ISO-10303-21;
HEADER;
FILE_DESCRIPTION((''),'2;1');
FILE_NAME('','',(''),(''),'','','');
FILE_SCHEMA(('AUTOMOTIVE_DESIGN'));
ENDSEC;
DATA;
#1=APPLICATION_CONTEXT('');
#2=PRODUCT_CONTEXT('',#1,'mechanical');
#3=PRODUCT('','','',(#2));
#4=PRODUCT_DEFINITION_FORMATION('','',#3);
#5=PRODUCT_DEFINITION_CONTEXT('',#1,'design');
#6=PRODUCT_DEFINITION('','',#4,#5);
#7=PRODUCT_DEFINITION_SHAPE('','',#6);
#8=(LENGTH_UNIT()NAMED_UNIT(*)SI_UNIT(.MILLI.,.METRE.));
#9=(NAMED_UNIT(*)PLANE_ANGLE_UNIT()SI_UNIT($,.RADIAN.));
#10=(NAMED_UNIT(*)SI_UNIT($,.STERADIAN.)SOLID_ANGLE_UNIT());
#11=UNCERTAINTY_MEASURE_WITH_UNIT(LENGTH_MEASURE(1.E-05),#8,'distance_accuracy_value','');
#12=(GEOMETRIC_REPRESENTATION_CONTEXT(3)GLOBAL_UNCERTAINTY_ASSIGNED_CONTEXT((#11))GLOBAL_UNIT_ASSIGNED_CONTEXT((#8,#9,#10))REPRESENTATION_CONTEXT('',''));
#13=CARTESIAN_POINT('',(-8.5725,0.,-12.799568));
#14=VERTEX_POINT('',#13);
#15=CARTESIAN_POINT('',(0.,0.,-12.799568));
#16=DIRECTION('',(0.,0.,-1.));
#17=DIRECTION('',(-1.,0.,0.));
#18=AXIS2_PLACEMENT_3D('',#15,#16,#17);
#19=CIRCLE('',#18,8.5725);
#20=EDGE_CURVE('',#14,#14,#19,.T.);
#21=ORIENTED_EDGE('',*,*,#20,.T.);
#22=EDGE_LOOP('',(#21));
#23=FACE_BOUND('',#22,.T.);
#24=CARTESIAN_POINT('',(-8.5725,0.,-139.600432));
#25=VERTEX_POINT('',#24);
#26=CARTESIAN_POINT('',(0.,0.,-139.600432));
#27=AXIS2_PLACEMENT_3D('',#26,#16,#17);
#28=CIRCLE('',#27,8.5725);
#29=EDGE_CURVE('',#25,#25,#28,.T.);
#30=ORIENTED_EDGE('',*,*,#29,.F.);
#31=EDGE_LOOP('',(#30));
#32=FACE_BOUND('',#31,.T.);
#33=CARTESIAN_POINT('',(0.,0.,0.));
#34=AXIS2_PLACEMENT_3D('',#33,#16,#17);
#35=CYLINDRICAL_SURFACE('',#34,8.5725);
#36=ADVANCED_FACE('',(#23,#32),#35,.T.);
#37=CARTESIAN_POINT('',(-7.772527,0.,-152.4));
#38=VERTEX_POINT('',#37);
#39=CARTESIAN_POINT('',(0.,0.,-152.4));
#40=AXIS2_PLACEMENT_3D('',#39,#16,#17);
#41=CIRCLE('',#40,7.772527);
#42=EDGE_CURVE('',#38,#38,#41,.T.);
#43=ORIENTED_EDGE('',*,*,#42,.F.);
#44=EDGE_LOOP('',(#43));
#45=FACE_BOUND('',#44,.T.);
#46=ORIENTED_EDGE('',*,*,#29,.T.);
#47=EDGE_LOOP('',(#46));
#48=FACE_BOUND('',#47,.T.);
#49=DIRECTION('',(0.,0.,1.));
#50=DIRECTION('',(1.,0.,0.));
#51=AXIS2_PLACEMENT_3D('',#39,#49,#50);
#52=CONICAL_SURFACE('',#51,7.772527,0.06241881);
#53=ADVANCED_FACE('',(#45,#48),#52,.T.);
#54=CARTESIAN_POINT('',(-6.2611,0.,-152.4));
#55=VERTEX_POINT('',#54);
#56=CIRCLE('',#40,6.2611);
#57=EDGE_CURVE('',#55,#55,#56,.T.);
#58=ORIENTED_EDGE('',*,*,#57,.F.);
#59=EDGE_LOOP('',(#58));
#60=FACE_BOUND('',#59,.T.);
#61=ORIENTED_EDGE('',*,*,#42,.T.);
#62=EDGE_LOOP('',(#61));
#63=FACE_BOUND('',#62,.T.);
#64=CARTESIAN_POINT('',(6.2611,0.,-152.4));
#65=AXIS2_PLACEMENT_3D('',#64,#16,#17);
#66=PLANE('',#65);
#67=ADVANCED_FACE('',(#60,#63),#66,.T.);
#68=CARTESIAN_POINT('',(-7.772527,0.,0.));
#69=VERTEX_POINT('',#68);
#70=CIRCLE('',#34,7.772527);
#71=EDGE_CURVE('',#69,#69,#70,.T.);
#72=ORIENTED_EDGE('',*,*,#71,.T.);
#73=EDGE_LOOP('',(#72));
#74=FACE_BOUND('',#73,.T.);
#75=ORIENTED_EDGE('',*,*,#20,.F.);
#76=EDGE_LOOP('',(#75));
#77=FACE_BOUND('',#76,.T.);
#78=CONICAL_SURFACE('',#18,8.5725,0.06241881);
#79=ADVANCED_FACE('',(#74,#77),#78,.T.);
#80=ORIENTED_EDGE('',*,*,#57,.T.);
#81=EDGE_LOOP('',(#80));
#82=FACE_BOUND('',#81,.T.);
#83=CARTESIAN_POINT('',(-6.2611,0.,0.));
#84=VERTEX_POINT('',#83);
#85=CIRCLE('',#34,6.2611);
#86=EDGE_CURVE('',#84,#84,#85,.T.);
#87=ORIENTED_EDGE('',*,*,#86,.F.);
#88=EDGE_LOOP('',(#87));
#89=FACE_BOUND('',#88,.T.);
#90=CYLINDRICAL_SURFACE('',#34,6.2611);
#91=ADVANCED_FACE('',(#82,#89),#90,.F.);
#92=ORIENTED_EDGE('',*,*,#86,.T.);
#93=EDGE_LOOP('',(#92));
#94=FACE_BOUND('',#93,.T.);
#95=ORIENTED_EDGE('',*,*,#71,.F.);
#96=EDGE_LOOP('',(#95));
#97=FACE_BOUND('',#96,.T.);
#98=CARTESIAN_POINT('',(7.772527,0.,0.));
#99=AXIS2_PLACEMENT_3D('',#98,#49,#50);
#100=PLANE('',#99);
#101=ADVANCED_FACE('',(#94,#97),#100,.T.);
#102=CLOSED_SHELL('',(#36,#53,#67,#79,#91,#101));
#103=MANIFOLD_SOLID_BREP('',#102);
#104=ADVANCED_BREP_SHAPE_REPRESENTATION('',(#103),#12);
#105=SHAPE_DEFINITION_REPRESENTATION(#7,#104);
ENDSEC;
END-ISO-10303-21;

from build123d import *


with BuildPart() as part:
    # Sketch1 → Revolve1 (revolve)
    with BuildSketch(Plane.XZ, mode=Mode.PRIVATE) as revolve1_sk:
        Polygon((8.5725, -139.600432), (8.5725, -12.799568), (7.772527, 0), (6.2611, 0), (6.2611, -152.4), (7.772527, -152.4), align=None)
    revolve(revolve1_sk.sketch.rotate(Axis((0, 0, 0), (0, 0, -1)), 180), axis=Axis((0, 0, 0), (0, 0, -1)))


solid = part.part
